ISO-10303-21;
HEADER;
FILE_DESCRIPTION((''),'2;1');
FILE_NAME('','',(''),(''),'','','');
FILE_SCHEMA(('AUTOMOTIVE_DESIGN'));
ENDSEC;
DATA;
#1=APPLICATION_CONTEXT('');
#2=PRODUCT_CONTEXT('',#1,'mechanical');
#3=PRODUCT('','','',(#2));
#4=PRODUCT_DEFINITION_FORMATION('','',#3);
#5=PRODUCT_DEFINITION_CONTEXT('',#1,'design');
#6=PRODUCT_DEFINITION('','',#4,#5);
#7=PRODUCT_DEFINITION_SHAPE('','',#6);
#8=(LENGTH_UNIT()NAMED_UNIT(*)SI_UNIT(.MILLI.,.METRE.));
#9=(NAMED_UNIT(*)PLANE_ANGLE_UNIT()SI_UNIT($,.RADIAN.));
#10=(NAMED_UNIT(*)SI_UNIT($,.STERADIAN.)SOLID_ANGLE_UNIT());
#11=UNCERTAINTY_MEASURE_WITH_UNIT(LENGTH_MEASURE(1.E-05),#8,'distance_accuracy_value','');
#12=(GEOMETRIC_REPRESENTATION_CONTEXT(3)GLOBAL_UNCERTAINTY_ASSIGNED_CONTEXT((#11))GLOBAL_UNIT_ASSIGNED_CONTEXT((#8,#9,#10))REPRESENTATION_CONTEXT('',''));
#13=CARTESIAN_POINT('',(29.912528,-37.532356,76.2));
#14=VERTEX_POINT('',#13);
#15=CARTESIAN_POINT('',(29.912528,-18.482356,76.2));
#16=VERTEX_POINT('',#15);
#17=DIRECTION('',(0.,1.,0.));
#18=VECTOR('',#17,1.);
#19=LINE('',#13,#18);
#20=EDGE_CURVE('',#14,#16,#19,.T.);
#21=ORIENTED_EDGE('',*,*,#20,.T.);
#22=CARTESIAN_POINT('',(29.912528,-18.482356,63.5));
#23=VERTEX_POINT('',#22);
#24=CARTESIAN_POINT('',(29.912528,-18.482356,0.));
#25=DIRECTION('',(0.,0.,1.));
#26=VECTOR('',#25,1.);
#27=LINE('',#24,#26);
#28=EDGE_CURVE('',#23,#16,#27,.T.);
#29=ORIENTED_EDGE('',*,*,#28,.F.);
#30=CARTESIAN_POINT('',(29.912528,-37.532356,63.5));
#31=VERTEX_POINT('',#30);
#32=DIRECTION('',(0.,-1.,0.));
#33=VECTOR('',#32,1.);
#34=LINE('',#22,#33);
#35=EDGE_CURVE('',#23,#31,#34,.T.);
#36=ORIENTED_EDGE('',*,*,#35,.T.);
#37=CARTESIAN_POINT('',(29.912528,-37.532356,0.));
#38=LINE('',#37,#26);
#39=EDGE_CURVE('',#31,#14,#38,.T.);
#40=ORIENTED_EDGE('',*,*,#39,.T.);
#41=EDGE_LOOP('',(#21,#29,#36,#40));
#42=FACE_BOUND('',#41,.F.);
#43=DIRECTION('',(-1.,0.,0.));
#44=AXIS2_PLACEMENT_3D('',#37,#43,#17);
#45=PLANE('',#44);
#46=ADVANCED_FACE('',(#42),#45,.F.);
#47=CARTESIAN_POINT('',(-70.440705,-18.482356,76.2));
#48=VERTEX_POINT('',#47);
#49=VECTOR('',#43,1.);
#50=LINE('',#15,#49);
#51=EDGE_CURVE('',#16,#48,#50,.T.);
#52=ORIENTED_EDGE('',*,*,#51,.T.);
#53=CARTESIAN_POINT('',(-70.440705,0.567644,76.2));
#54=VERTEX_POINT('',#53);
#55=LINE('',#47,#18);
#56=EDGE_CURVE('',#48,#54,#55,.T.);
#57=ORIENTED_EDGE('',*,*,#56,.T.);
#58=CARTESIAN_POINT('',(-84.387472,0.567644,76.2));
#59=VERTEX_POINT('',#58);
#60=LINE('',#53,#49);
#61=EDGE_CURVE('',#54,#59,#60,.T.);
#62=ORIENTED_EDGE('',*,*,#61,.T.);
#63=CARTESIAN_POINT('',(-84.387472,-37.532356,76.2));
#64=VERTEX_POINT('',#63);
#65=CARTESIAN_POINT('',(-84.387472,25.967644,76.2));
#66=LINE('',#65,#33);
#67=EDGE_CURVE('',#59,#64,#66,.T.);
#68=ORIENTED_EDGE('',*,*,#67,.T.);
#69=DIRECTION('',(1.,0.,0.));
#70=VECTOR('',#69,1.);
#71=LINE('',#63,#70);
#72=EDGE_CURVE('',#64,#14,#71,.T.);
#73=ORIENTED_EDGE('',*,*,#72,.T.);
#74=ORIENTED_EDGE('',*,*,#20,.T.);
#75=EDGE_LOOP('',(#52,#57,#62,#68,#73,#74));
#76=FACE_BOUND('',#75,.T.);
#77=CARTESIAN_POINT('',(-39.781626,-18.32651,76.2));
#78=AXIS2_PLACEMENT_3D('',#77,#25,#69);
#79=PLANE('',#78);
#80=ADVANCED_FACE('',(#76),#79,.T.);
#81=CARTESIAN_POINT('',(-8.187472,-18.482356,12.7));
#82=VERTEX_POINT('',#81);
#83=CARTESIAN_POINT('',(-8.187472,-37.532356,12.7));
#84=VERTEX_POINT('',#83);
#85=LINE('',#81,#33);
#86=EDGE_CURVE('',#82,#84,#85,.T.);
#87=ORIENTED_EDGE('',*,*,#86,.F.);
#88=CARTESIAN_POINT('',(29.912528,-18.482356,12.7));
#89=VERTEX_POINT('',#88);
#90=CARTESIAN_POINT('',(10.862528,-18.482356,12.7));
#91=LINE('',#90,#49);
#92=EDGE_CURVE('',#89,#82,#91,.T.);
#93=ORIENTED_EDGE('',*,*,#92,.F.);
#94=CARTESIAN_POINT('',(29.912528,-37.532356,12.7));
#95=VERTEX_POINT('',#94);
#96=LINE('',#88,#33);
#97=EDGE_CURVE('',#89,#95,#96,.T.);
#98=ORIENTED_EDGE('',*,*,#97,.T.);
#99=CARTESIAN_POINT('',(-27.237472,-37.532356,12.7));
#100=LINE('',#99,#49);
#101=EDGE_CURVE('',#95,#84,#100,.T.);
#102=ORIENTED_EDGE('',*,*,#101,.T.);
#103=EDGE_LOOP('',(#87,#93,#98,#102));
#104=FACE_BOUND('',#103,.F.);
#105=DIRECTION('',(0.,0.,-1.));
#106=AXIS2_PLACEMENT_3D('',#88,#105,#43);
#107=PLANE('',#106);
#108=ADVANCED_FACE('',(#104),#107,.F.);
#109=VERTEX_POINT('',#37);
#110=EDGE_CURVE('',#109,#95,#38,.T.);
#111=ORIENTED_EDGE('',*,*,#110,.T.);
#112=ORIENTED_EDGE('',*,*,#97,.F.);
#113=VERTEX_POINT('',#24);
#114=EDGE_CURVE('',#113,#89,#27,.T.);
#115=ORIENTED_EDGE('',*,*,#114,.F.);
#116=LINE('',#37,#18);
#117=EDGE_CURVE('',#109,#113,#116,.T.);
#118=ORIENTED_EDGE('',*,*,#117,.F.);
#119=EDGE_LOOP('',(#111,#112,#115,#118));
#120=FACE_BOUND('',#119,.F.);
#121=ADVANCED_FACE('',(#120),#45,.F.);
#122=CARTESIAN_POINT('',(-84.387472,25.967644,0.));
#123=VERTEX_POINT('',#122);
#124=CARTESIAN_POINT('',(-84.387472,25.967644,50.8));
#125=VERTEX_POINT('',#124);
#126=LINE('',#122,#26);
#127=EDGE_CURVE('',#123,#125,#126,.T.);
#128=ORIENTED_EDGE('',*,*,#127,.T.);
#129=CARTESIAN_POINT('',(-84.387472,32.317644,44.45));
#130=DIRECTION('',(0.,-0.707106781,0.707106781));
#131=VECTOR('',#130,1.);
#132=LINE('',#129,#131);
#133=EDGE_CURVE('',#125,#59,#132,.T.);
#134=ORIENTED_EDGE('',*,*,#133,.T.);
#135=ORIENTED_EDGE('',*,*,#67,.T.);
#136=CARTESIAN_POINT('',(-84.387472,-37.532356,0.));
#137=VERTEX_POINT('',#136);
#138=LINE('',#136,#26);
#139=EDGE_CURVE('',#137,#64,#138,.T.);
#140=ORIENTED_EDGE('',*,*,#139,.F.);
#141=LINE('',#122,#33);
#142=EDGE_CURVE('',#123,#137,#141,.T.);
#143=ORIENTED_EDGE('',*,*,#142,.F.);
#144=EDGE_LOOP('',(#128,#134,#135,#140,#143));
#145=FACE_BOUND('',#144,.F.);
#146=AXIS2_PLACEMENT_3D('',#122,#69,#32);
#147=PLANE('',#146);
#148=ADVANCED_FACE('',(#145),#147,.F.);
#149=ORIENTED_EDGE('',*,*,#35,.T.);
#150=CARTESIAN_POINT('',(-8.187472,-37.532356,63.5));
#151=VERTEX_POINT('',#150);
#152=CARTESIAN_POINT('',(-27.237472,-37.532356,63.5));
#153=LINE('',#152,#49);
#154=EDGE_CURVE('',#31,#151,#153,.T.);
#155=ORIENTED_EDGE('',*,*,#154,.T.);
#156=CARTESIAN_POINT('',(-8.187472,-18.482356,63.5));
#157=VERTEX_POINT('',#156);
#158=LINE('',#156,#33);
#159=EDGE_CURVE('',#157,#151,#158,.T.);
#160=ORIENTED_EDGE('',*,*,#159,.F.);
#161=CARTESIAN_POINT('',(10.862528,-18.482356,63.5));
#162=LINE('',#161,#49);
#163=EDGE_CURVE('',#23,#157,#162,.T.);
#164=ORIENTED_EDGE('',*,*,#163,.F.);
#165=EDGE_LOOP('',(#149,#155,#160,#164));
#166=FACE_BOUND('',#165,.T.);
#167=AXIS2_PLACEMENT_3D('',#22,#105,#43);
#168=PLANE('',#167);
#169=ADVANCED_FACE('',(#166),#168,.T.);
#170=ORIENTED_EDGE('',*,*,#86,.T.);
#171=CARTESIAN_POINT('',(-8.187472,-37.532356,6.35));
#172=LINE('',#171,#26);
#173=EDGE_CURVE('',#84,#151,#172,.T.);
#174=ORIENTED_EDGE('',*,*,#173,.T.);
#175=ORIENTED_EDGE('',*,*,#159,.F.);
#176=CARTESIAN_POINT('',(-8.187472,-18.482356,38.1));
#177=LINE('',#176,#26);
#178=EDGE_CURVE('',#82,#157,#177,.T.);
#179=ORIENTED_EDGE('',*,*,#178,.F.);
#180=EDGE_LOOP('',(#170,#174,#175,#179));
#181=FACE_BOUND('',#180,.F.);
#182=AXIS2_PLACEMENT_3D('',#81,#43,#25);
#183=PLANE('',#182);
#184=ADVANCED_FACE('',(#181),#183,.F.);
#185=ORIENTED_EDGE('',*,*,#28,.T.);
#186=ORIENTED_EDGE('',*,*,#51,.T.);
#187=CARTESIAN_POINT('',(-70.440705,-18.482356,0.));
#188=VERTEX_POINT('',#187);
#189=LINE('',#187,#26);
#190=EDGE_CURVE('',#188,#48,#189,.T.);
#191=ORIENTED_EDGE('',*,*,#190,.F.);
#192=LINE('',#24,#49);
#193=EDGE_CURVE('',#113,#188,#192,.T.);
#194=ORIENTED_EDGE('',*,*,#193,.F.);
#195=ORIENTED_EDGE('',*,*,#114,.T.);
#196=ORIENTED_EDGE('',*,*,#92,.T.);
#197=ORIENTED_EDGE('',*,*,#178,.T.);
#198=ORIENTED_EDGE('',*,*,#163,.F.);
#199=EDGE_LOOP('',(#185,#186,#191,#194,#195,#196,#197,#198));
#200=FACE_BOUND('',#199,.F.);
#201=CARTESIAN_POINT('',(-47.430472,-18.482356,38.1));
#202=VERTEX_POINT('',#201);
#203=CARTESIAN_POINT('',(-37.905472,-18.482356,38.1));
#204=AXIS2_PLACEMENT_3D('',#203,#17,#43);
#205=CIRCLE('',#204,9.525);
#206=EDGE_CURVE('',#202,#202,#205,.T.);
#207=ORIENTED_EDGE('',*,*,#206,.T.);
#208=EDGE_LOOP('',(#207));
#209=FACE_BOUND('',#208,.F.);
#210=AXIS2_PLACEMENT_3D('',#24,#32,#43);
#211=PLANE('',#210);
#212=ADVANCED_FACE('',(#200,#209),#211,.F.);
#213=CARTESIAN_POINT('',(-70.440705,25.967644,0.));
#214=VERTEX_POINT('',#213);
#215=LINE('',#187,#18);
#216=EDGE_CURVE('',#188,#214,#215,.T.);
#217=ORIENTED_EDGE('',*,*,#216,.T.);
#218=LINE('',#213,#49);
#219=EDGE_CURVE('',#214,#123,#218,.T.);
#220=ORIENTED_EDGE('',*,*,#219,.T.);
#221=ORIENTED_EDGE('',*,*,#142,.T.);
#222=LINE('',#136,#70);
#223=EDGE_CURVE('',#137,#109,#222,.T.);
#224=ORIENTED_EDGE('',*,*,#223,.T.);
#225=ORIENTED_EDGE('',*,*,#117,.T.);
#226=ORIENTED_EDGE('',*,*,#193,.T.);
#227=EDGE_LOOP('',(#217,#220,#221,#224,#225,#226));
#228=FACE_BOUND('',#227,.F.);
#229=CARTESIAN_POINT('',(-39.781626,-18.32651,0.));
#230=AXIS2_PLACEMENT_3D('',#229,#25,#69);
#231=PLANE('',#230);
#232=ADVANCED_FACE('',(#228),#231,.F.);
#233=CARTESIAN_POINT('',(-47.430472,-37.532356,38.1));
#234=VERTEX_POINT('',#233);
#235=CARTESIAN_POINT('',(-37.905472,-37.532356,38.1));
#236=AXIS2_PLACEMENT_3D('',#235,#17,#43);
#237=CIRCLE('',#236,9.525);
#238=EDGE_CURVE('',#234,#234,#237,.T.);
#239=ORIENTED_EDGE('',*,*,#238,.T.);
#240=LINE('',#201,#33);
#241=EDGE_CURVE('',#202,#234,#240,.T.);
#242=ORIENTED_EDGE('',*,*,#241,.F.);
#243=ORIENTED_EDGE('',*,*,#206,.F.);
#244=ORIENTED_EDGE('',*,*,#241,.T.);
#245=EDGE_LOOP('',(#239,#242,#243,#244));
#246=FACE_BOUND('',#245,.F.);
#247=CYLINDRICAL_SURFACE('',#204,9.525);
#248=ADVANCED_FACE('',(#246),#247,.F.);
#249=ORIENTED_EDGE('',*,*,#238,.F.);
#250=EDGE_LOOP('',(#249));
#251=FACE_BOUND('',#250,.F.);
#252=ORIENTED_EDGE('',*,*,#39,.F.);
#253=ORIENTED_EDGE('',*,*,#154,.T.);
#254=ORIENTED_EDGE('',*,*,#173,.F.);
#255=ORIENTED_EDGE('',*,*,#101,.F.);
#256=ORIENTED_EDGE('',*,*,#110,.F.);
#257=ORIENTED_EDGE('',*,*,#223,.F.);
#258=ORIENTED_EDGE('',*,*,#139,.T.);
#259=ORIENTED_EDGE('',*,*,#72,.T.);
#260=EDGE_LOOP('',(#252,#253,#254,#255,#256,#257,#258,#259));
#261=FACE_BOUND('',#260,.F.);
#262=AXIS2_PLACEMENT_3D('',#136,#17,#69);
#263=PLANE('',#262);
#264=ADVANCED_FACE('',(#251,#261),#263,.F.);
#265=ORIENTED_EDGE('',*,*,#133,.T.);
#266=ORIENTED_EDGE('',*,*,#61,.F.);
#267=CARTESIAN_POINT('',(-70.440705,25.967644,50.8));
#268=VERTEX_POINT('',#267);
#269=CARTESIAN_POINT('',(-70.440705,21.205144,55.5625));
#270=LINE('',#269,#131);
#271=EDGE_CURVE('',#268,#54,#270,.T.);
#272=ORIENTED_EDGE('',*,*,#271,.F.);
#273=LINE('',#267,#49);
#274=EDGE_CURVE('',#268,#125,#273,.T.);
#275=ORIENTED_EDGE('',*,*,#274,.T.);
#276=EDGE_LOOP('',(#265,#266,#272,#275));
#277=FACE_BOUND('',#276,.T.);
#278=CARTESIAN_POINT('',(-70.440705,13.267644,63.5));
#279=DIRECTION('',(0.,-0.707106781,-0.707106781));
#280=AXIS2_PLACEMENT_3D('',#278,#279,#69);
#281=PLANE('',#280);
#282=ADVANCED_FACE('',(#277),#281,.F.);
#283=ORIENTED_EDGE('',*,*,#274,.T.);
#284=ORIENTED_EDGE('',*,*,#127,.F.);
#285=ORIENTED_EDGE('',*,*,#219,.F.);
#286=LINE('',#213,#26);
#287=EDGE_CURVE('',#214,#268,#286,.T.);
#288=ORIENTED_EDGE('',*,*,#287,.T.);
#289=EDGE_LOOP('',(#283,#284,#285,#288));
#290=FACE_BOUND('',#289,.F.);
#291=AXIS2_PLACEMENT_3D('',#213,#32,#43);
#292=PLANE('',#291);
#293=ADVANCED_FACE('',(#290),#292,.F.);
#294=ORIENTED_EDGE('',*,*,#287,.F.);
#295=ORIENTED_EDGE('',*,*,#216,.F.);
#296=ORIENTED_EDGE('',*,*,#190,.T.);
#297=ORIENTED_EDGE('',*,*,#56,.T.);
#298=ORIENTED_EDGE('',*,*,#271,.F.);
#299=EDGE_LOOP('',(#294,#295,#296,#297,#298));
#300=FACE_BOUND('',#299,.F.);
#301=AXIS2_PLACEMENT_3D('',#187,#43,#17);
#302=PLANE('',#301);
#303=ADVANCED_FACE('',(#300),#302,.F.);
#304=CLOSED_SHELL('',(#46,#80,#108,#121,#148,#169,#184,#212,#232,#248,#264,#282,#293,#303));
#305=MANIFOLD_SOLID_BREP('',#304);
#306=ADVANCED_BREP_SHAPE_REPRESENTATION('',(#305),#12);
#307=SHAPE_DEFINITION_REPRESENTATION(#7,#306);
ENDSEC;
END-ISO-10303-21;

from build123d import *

# Parameters (mm, degrees)
F1_DEPTH = 76.2
F2_SIZE  = 25.4
F3_R     = 9.525
F4_DEPTH = 19.051
F5_W     = 38.1
F5_H     = 50.8
F6_DEPTH = 19.051


with BuildPart() as f1:
    # F0 (on Top) → F1 (new body)
    with BuildSketch(Plane.XY):
        Polygon((-70.440705, 25.967644), (-84.387472, 25.967644), (-84.387472, -37.532356), (29.912528, -37.532356), (29.912528, -18.482356), (-70.440705, -18.482356), align=None)
    extrude(amount=F1_DEPTH)

    # F2
    f2_edges = [f1.edges().sort_by_distance(p)[0] for p in [
        (-77.414089, 25.967644, 76.2),
    ]]
    chamfer(f2_edges, length=F2_SIZE)

    # F3 (on face) → F4 (cut, through all)
    with BuildSketch(Plane(origin=(0, -18.482356, 0), x_dir=(-1, 0, 0), z_dir=(0, 1, 0))):
        with Locations((37.905472, 38.1)):
            Circle(F3_R)
    extrude(amount=-F4_DEPTH, mode=Mode.SUBTRACT)

    # F5 (on face) → F6 (cut, through all)
    with BuildSketch(Plane(origin=(0, -18.482356, 0), x_dir=(-1, 0, 0), z_dir=(0, 1, 0))):
        with Locations((-10.862528, 38.1)):
            Rectangle(F5_W, F5_H)
    extrude(amount=-F6_DEPTH, mode=Mode.SUBTRACT)


solid = f1.part
